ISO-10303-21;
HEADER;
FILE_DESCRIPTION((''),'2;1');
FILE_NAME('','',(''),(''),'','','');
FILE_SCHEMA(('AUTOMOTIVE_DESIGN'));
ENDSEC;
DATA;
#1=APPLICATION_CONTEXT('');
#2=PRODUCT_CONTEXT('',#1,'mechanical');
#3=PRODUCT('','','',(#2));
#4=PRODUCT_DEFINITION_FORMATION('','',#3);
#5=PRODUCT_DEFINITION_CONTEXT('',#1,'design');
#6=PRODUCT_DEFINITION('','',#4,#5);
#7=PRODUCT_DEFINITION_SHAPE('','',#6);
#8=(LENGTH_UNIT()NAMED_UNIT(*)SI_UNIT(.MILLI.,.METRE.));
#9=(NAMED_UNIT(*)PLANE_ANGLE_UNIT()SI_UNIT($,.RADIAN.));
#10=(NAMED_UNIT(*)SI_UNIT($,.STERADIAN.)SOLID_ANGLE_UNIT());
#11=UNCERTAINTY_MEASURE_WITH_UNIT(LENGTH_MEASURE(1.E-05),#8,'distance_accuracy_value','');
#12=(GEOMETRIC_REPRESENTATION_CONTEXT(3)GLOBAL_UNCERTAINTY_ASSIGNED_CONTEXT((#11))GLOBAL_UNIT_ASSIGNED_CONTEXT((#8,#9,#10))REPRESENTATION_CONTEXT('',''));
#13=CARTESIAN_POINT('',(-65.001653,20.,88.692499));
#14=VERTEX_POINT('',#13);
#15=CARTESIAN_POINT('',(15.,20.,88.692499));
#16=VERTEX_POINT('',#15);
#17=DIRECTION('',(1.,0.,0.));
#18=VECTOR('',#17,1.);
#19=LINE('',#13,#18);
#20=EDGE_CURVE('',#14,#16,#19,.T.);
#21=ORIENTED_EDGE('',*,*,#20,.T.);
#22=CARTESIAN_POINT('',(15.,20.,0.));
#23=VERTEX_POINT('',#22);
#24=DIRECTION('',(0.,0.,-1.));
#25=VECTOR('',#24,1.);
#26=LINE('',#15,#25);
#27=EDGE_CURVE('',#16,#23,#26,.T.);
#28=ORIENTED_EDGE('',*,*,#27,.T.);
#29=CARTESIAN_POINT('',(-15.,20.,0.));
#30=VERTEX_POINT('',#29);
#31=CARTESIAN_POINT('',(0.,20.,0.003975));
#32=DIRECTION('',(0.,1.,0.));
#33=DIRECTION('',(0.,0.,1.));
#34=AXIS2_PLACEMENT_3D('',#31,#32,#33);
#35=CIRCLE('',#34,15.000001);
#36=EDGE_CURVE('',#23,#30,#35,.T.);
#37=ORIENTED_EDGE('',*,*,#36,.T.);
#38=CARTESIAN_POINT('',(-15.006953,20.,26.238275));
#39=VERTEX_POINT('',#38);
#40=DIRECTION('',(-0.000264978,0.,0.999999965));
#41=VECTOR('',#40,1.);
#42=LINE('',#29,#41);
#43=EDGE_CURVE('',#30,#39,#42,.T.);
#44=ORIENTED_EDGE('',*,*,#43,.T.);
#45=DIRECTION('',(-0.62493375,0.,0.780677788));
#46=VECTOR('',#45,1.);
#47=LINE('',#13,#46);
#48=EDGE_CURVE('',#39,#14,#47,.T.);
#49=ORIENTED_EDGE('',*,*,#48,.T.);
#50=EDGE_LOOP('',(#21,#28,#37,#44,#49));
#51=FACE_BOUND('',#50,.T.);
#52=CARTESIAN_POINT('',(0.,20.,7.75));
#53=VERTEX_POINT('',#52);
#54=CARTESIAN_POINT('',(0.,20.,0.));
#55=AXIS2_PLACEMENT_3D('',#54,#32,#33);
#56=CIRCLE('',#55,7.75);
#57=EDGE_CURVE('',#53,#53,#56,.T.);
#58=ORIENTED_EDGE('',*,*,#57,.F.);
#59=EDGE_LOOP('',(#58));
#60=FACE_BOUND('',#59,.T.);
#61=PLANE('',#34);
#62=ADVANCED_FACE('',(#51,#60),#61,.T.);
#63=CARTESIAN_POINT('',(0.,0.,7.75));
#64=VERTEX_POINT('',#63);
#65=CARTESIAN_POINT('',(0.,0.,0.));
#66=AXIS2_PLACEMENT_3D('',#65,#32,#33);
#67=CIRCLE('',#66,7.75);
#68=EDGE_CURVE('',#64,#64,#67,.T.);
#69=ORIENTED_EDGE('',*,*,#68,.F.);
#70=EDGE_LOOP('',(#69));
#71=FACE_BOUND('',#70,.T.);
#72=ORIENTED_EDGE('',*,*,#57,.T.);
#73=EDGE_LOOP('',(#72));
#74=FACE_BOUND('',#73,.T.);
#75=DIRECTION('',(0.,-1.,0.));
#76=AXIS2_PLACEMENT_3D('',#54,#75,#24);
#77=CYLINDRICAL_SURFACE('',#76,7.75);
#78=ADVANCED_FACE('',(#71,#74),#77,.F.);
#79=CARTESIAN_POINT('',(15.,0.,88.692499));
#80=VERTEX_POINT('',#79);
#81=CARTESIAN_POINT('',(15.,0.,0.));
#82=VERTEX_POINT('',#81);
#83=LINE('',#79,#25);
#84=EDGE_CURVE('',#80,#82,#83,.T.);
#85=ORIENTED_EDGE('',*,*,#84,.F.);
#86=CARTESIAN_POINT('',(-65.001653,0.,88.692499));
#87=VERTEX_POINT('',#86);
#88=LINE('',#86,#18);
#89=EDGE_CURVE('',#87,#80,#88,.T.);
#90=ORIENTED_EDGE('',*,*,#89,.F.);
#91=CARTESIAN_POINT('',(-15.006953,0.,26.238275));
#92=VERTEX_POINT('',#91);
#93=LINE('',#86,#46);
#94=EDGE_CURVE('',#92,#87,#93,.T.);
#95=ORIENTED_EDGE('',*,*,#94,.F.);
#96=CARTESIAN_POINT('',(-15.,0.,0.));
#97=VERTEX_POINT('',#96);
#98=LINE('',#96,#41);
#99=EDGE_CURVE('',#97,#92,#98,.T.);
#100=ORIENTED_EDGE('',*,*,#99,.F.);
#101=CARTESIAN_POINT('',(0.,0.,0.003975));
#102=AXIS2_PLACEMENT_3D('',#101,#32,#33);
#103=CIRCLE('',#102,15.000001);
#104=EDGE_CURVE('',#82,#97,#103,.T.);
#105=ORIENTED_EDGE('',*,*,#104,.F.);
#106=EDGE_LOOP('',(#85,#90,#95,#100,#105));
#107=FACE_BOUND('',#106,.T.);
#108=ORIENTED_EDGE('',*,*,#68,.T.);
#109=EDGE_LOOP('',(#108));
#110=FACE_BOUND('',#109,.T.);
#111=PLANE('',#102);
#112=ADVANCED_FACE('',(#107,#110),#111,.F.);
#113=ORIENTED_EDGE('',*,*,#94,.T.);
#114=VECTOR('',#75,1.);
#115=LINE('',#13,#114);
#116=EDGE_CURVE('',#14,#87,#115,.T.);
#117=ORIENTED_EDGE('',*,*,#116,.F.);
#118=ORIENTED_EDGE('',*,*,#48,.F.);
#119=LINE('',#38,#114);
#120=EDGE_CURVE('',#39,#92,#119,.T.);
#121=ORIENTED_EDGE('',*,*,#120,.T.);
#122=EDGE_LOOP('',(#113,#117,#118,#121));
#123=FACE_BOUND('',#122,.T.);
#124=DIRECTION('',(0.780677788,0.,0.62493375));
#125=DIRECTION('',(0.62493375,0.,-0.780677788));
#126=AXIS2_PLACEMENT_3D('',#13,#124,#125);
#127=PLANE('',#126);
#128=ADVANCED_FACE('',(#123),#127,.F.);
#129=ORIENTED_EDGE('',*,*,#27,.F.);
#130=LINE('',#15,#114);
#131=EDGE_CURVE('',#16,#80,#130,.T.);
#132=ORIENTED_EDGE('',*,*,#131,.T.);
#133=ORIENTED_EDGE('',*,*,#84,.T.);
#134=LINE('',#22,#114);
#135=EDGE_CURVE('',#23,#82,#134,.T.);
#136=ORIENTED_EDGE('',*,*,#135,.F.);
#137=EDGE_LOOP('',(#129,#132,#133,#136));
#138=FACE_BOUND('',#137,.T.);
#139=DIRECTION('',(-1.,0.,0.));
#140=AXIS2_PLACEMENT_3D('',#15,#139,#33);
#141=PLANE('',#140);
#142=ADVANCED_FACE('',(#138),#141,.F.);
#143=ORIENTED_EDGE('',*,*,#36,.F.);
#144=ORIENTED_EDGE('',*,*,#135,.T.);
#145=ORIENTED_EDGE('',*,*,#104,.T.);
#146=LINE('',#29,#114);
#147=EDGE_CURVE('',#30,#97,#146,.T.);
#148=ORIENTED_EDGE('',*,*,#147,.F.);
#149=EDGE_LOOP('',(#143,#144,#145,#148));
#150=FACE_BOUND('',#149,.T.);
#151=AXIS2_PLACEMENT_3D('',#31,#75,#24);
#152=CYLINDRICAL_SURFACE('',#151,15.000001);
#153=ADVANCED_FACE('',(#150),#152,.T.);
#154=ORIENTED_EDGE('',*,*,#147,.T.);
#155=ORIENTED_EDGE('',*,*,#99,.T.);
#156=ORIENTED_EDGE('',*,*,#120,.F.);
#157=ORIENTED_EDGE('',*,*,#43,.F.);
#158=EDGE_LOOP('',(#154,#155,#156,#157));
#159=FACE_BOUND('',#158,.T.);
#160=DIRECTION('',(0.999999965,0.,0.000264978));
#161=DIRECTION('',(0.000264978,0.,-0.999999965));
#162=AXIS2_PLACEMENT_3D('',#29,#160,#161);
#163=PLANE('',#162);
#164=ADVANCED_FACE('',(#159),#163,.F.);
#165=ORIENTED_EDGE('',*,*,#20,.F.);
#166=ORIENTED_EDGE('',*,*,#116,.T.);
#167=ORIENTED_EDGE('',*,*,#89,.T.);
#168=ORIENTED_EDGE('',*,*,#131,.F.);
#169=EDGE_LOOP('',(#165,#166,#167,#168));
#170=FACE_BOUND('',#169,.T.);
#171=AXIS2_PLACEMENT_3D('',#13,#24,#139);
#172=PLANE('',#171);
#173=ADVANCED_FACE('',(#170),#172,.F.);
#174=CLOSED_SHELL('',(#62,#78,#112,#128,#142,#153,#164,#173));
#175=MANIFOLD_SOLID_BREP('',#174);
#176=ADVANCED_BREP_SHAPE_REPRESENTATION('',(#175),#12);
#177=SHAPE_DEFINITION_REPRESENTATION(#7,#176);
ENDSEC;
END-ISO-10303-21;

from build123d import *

# Parameters (mm, degrees)
SKETCH1_R           = 7.75
BOSS_EXTRUDE1_DEPTH = 20


with BuildPart() as part:
    # Sketch1 → Boss-Extrude1 (new body)
    with BuildSketch(Plane(origin=(0, 0, 0), x_dir=(1, 0, 0), z_dir=(0, 1, 0))):
        with BuildLine():
            Line((-15, 0), (-15.006952556, -26.238275495))
            Line((-15.006952556, -26.238275495), (-65.001652527, -88.69249853))
            Line((-65.001652527, -88.69249853), (15, -88.69249853))
            Line((15, -88.69249853), (15, 0))
            ThreePointArc((15, 0), (0, 14.996025862), (-15, 0))
        make_face()
        with Locations(Location((0, 0, 0), (0, 0, 270))):
            Circle(SKETCH1_R, mode=Mode.SUBTRACT)
    extrude(amount=BOSS_EXTRUDE1_DEPTH)


solid = part.part
